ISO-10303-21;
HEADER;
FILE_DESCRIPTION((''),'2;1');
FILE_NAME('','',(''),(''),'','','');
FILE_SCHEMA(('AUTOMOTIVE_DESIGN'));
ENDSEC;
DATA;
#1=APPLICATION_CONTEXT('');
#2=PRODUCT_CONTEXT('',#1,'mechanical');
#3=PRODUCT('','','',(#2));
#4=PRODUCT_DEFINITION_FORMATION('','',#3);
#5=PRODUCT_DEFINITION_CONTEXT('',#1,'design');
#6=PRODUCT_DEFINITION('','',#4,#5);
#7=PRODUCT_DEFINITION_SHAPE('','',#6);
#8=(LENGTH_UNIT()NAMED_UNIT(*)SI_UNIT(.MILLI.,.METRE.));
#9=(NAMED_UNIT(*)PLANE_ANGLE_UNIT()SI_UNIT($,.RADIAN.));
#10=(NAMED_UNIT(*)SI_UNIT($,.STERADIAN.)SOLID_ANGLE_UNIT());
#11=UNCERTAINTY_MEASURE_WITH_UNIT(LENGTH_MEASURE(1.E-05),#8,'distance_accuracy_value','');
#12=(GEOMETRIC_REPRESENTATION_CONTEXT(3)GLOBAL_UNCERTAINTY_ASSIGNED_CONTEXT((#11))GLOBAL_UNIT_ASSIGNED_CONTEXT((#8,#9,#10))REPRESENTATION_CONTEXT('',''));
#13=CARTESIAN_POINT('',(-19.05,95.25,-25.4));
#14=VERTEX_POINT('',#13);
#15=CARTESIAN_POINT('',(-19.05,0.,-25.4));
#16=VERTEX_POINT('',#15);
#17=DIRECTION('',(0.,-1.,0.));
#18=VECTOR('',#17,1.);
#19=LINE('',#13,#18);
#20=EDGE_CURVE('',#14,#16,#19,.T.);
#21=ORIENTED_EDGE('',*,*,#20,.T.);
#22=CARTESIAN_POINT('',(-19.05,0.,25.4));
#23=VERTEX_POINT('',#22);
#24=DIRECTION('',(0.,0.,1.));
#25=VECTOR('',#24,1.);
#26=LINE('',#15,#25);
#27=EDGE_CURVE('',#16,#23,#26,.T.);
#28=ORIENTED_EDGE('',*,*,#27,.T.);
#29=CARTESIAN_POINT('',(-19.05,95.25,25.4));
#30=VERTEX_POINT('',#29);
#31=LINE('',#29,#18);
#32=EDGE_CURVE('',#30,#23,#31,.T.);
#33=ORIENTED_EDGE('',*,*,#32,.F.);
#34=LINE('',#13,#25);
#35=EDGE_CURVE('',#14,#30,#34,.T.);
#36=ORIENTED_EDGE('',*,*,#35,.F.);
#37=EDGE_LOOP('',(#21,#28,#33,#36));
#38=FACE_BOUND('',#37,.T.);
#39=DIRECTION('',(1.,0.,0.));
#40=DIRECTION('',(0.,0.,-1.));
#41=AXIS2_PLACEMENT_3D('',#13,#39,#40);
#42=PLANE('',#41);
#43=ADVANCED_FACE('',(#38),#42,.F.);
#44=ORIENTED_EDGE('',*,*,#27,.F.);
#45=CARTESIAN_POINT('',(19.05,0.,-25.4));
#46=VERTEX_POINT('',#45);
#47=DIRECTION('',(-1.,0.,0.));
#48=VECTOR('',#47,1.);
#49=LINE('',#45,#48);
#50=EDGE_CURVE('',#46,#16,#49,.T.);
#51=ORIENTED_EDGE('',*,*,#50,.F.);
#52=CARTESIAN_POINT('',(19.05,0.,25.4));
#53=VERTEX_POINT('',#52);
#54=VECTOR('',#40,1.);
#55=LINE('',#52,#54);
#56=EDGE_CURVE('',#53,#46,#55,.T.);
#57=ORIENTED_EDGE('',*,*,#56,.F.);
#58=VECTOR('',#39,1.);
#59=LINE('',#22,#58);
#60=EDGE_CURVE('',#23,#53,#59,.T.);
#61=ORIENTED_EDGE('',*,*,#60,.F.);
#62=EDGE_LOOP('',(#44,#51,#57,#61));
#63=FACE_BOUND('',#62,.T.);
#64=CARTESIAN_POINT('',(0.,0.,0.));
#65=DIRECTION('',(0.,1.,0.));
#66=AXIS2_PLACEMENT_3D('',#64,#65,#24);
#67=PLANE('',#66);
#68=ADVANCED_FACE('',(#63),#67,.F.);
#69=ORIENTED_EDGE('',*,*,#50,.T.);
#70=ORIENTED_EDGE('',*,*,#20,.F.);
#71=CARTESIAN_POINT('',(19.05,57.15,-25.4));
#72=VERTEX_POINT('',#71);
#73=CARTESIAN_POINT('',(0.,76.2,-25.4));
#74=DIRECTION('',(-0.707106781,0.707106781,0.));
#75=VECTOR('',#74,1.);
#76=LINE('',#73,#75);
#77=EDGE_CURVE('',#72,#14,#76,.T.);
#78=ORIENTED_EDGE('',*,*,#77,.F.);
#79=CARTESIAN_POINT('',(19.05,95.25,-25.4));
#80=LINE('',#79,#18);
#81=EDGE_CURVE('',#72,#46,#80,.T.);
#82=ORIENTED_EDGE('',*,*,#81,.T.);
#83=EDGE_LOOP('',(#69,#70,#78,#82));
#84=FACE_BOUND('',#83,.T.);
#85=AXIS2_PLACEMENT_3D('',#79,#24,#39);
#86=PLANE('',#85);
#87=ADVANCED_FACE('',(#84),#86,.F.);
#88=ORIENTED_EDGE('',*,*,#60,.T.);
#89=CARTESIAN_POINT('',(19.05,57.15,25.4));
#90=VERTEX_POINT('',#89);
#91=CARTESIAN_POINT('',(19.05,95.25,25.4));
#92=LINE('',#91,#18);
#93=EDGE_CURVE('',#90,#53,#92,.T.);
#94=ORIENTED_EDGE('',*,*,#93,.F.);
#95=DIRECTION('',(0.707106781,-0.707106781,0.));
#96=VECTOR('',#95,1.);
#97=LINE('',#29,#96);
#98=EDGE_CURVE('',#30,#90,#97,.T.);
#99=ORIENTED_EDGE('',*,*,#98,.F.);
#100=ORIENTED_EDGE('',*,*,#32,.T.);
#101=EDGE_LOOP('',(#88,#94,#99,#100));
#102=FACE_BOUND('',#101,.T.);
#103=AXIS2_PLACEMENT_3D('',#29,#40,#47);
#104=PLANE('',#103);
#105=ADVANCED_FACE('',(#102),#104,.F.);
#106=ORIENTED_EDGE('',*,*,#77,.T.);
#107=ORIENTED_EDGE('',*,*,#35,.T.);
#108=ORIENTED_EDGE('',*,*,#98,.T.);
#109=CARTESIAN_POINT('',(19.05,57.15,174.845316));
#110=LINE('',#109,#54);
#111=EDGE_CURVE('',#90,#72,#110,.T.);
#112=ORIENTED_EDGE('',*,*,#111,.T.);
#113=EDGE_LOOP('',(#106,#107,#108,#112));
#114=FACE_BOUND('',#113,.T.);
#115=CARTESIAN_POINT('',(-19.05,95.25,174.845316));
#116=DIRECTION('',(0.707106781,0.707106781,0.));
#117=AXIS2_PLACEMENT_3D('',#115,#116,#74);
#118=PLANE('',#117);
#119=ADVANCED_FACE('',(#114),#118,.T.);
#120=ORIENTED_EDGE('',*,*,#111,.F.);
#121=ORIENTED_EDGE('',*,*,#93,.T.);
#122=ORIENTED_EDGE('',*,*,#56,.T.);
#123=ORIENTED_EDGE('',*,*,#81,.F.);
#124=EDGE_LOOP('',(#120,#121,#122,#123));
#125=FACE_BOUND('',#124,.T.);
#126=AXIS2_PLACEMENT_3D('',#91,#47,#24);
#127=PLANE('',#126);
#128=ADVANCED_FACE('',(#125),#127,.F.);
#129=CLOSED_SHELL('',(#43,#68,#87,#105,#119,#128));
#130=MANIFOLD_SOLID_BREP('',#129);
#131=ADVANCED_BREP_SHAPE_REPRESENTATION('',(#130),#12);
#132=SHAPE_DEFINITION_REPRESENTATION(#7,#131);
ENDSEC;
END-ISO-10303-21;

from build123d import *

# Parameters (mm, degrees)
SKETCH1_W               = 38.1
SKETCH1_H               = 50.8
BOSS_EXTRUDE1_DEPTH     = 95.25
CUT_EXTRUDE1_DEPTH      = 101.40231571
CUT_EXTRUDE1_DEPTH_BACK = 101.40231571


with BuildPart() as part:
    # Sketch1 → Boss-Extrude1 (new body)
    with BuildSketch(Plane(origin=(0, 0, 0), x_dir=(1, 0, 0), z_dir=(0, 1, 0))):
        Rectangle(SKETCH1_W, SKETCH1_H)
    extrude(amount=BOSS_EXTRUDE1_DEPTH)

    # Sketch2 → Cut-Extrude1 (cut, two sides: drawn at the far end of the back side and taken through both)
    with BuildSketch(Plane.XY.offset(-CUT_EXTRUDE1_DEPTH_BACK)):
        Polygon((-171.201545479, 247.401545479), (-19.05, 95.25), (19.05, 57.15), (171.201545479, -95.001545479), (475.504636436, 209.301545479), (133.101545479, 551.704636436), align=None)
    extrude(amount=CUT_EXTRUDE1_DEPTH + CUT_EXTRUDE1_DEPTH_BACK, mode=Mode.SUBTRACT)


solid = part.part
